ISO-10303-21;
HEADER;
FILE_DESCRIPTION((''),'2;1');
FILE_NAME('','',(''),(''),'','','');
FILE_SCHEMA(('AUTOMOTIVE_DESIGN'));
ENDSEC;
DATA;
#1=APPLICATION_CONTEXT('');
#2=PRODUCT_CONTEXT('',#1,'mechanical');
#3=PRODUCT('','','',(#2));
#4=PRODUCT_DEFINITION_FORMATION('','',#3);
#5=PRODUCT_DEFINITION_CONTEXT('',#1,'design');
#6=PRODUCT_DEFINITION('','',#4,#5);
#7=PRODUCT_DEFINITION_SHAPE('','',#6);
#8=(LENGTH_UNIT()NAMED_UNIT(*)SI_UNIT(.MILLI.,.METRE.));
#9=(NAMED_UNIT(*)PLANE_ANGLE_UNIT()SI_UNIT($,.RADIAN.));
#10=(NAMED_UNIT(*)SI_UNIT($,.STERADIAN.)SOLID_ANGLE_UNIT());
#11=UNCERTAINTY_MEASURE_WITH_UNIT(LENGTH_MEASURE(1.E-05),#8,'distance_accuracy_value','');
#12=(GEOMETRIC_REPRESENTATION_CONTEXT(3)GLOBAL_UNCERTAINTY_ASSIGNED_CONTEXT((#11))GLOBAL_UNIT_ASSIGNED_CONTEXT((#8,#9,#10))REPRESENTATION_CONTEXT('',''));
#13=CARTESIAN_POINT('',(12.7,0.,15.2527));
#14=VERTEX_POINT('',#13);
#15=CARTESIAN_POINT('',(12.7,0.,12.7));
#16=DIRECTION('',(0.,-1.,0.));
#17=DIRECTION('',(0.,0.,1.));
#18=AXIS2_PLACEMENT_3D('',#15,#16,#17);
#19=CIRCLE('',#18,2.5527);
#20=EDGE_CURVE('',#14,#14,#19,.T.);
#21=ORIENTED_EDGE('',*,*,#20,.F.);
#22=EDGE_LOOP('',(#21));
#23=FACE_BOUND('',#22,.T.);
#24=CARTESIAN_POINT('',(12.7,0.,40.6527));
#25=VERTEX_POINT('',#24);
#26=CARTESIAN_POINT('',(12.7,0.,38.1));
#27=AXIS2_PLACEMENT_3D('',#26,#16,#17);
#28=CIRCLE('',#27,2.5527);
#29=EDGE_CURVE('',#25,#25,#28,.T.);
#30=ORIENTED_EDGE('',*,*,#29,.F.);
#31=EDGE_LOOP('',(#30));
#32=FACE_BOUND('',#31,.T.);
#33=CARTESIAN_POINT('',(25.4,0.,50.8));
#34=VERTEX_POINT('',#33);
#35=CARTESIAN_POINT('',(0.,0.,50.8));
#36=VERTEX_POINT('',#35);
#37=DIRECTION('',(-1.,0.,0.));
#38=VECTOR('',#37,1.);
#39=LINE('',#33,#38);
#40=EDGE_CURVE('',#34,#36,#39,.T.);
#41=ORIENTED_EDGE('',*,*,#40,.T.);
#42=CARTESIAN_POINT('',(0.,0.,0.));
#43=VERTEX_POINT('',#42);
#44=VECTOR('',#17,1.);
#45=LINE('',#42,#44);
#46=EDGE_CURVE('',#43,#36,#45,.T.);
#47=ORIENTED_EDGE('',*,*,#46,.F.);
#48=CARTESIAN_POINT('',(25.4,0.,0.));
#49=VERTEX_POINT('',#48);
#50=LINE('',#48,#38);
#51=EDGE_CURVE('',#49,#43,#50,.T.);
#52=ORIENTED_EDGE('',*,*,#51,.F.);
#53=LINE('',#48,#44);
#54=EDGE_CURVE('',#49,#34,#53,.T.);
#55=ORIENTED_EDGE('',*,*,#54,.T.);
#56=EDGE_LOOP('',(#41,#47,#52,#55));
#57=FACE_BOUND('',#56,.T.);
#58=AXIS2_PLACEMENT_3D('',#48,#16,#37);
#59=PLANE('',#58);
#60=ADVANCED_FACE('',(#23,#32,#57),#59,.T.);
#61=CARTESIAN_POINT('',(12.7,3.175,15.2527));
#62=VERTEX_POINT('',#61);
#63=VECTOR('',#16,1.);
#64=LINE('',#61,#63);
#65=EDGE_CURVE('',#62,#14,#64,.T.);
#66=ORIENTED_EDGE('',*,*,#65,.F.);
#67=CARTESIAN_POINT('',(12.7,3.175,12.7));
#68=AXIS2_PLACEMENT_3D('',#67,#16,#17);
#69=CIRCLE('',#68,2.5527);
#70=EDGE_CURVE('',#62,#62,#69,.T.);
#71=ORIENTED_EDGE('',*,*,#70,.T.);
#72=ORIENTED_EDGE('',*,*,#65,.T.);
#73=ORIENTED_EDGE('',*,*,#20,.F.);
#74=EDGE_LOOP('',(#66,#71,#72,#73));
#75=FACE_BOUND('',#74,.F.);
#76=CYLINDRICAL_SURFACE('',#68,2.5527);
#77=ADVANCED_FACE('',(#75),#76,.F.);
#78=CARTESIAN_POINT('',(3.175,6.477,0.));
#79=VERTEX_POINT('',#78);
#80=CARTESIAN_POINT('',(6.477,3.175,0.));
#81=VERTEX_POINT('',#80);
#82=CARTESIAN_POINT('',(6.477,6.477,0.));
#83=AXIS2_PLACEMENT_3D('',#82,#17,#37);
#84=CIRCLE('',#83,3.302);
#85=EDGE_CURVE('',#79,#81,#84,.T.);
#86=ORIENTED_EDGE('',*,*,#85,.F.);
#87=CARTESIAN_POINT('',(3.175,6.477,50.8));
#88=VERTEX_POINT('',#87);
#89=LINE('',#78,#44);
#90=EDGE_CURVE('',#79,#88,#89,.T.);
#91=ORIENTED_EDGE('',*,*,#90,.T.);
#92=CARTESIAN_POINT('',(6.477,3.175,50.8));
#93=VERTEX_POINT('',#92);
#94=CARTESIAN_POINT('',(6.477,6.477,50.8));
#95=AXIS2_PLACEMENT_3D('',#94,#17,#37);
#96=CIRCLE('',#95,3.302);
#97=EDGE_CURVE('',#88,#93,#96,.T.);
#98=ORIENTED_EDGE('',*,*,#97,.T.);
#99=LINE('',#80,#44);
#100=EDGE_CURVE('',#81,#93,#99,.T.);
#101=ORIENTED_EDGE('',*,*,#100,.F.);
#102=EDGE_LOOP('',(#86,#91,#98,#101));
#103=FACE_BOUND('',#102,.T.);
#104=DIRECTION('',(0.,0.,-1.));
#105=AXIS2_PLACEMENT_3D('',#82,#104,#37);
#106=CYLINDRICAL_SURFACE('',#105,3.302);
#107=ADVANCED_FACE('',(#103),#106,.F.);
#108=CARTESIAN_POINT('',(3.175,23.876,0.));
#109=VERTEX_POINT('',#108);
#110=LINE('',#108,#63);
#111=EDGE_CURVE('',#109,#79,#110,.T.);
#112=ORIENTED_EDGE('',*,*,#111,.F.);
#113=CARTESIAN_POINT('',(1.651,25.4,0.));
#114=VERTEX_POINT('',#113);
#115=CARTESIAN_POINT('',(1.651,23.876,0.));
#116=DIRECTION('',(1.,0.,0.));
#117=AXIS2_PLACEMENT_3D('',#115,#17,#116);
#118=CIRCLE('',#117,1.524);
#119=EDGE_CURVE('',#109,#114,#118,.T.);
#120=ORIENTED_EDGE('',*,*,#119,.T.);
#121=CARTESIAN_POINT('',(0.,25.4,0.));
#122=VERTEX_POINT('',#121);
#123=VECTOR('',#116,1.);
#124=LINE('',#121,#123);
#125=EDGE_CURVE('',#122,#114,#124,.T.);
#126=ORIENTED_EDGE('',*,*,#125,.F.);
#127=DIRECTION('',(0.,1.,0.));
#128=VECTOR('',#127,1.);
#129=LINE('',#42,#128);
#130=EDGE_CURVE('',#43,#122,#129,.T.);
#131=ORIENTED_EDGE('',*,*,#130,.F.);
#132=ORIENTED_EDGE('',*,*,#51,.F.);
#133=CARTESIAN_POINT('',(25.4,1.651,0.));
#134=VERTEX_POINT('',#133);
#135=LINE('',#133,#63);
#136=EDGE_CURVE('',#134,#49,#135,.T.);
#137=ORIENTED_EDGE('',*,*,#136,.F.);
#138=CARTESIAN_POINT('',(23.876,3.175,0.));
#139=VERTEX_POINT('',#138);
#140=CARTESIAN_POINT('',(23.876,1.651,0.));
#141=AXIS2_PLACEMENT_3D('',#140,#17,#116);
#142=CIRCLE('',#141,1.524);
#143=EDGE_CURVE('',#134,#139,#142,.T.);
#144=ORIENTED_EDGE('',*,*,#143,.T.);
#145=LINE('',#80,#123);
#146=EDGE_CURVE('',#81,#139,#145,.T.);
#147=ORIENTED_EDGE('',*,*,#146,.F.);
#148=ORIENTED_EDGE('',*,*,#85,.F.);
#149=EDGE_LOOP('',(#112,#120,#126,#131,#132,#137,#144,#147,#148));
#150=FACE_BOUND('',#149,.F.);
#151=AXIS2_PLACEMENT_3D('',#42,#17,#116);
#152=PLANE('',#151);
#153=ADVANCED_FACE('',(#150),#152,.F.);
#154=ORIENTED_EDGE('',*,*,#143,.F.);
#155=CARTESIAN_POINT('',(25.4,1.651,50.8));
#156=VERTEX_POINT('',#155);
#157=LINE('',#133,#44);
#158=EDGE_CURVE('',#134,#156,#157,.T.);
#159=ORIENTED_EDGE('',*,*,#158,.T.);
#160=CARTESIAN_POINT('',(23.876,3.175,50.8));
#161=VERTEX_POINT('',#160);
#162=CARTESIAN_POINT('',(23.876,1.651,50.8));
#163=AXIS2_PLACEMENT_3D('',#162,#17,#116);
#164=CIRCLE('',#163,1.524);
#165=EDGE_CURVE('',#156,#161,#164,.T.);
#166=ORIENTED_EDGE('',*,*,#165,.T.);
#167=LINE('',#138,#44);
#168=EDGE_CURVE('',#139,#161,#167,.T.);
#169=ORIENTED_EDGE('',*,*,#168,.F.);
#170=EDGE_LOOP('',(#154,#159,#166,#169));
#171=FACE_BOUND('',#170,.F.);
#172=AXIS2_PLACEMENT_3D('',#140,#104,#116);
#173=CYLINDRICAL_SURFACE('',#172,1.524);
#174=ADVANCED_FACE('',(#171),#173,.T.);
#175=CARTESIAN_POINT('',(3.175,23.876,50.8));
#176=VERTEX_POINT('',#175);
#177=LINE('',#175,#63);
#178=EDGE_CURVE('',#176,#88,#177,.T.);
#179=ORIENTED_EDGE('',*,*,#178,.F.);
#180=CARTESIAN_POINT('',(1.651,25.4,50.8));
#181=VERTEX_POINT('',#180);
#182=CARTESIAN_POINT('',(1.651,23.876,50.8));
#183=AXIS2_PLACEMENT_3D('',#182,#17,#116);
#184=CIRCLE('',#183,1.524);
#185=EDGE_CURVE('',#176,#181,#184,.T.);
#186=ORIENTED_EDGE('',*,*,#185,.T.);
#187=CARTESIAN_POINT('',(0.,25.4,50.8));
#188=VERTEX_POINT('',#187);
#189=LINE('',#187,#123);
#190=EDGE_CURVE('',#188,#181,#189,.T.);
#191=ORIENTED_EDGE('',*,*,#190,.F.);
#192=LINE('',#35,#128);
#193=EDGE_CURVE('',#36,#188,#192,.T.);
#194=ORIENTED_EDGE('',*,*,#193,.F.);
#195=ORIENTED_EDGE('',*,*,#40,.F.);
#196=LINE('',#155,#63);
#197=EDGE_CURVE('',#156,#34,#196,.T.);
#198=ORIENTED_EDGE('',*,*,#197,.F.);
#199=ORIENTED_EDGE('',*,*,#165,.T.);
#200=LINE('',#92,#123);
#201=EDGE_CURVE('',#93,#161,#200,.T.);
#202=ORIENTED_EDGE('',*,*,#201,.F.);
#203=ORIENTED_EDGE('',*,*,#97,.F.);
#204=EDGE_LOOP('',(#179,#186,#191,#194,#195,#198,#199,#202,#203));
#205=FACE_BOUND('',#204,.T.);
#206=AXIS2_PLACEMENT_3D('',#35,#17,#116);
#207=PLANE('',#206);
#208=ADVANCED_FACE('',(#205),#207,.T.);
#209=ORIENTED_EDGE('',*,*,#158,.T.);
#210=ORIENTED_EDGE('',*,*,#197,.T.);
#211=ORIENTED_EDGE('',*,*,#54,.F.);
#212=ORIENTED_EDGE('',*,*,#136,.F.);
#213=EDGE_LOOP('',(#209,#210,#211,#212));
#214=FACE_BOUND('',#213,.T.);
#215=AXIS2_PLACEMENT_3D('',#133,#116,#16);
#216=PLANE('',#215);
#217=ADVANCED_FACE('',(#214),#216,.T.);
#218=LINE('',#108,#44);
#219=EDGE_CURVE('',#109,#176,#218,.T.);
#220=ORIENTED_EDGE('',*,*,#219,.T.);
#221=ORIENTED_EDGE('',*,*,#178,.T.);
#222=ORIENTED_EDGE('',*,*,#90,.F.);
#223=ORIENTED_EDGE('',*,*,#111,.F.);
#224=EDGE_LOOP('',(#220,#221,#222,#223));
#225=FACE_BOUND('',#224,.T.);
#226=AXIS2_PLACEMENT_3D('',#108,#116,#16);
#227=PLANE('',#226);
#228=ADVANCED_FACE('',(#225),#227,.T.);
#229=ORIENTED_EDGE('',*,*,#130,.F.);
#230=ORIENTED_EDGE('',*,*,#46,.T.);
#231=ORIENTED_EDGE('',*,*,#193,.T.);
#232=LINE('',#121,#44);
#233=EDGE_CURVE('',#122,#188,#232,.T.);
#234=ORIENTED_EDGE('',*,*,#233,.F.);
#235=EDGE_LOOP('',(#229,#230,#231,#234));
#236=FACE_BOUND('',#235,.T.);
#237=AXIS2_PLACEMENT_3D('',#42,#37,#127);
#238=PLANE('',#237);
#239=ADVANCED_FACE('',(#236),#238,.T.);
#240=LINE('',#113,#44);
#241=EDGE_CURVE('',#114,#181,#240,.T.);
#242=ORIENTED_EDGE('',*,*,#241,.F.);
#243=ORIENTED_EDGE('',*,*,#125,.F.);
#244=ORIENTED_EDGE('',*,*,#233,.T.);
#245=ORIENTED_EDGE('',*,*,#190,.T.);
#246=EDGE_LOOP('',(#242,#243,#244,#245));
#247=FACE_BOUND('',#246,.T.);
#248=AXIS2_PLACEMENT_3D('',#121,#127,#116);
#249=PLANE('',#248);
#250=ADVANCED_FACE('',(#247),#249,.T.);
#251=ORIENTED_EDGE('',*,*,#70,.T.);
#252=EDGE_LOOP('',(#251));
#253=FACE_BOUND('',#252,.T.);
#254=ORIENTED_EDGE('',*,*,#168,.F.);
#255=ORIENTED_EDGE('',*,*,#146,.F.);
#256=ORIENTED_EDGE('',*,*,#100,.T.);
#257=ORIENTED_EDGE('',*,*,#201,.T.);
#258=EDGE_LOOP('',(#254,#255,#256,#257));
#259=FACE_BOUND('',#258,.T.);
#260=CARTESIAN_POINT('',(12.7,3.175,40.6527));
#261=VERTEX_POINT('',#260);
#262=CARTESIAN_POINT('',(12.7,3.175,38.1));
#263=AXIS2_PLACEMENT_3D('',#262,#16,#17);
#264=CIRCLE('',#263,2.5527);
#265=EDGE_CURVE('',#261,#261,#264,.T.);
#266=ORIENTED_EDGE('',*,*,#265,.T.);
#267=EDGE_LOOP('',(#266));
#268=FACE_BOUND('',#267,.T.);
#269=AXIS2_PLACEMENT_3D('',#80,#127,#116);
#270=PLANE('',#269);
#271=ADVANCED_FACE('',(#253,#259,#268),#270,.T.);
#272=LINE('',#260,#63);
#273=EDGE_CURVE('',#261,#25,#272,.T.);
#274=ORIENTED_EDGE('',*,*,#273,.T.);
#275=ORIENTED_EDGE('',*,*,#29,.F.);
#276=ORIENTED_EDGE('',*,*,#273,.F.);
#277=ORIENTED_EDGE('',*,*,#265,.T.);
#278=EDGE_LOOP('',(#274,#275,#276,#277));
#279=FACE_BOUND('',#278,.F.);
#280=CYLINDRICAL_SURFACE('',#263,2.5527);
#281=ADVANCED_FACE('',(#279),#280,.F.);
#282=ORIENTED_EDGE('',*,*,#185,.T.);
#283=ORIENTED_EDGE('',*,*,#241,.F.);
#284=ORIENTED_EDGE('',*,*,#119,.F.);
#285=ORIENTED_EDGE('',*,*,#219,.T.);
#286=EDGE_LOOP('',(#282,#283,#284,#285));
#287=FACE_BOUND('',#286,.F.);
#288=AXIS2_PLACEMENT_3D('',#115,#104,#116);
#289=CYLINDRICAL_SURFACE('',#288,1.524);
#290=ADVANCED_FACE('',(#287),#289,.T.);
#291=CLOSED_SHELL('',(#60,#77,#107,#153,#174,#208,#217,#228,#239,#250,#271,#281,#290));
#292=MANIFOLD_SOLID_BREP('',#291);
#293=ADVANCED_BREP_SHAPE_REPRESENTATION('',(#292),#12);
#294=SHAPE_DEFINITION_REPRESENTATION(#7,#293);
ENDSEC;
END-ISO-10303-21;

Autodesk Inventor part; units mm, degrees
ref_plane "YZ Plane" through (0, 0, 0) normal (1, 0, 0) x (0, 1, 0)
ref_plane "Start plane" through (0, 0, 0) normal (0, 0, 1) x (1, 0, 0)
ref_plane "End plane" through (0, 0, 50.8) normal (0, 0, 1) x (1, 0, 0)
sketch "Sketch" plane through (0, 0, 0) normal (0, 0, 1) x (1, 0, 0)
  line L0 (25.4, 0) -> (0, 0)
  line L1 (0, 0) -> (0, 25.4)
  line L2 (0, 25.4) -> (1.651, 25.4)
  line L3 (3.175, 23.876) -> (3.175, 6.477)
  line L4 (6.477, 3.175) -> (23.876, 3.175)
  line L5 (25.4, 1.651) -> (25.4, 0)
  line L6 (0, -11.0414) -> (0, 31.5385) construction
  line L7 (-11.0414, 0) -> (31.5385, 0) construction
  arc A0 (3.175, 6.477) -> (6.477, 3.175) centre (6.477, 6.477) ccw
  arc A1 (3.175, 23.876) -> (1.651, 25.4) centre (1.651, 23.876) ccw
  arc A2 (25.4, 1.651) -> (23.876, 3.175) centre (23.876, 1.651) ccw
  line L8 (0, 40.0545) -> (0, -19.5574) construction
  line L9 (-19.5574, 0) -> (40.0545, 0) construction
  point P0 (3.175, 25.4)
  point P1 (3.175, 3.175)
  point P2 (25.4, 3.175)
  dimension "d0" = 25.4
  dimension "d1" = 25.4
  dimension "d2" = 3.175
  dimension "d3" = 3.175
  dimension "d10" = 0
  dimension "d11" = 0
  dimension "d14" = 3.302
  dimension "d15" = 1.524
extrude "Body" add sketch "Sketch" along normal up to surface (50.8 mm away) from surface at 0
sketch "Sketch3" plane through (0, 0, 0) normal (0, 0, 1) x (1, 0, 0)
  line L0 (0, 0) -> (10, 0)
ref_plane "Work Plane3" through (0, 0, 0) normal (0, -1, 0) x (1, 0, 0)
sketch "Sketch5" plane through (23.876, 3.175, 50.8) normal (0, 1, 0) x (1, 0, 0)
  line L0 (-17.399, 0) -> (0, 0) construction
  line L1 (0, 50.8) -> (0, 0) construction
  line L2 (-17.399, 50.8) -> (0, 50.8) construction
  line L3 (-17.399, 50.8) -> (-17.399, 0) construction
  line L4 (-11.176, 12.7) -> (-11.176, 38.1) construction
  line L5 (1.524, 50.8) -> (-23.876, 50.8) construction
  point P0 (-11.176, 25.4)
  point P1 (0, 25.4)
  point P2 (-8.6995, 0)
  point P3 (-11.176, 50.8)
  dimension "d18" = 25.4
hole "Hole1" at (12.7, 3.175, 38.1) at (12.7, 3.175, 12.7) direction (0, -1, 0) diameter 5.1054 end through all clearance for "Flat Head Machine Screw (82)" size "#10" standard "Ansi Unified Screw Threads"
sketch "Sketch4" plane through (0, 0, 0) normal (0, -1, 0) x (1, 0, 0)
  line L0 (-2, 0) -> (12, 0) projected
  line L1 (-2, 50.8) -> (12, 50.8) projected
  dimension "d17" = 50.8
equation "\"d0\" = G_H"
equation "\"d1\" = G_H"
equation "\"d2\" = G_T"
equation "\"d3\" = G_T"
equation "\"d14\" = G_IR"
equation "\"d15\" = G_ER"
equation "\"d4\" = G_L"
equation "\"G_H\" = 25.4"
equation "\"G_T\" = 3.175"
equation "\"G_ER\" = 1.524"
equation "\"G_IR\" = 3.302"
equation "\"G_L\" = d17"
equation "\"ex\" = 0"
equation "\"G_OFFSET_START\" = 0"
equation "\"G_OFFSET_END\" = 0"
equation "\"d13\" = G_OFFSET_END + B_L"
equation "\"B_L\" = 50.8"
properties part number "AISC - L 1 x 1 x 1/8 - 2" material "Aluminum 6061"
